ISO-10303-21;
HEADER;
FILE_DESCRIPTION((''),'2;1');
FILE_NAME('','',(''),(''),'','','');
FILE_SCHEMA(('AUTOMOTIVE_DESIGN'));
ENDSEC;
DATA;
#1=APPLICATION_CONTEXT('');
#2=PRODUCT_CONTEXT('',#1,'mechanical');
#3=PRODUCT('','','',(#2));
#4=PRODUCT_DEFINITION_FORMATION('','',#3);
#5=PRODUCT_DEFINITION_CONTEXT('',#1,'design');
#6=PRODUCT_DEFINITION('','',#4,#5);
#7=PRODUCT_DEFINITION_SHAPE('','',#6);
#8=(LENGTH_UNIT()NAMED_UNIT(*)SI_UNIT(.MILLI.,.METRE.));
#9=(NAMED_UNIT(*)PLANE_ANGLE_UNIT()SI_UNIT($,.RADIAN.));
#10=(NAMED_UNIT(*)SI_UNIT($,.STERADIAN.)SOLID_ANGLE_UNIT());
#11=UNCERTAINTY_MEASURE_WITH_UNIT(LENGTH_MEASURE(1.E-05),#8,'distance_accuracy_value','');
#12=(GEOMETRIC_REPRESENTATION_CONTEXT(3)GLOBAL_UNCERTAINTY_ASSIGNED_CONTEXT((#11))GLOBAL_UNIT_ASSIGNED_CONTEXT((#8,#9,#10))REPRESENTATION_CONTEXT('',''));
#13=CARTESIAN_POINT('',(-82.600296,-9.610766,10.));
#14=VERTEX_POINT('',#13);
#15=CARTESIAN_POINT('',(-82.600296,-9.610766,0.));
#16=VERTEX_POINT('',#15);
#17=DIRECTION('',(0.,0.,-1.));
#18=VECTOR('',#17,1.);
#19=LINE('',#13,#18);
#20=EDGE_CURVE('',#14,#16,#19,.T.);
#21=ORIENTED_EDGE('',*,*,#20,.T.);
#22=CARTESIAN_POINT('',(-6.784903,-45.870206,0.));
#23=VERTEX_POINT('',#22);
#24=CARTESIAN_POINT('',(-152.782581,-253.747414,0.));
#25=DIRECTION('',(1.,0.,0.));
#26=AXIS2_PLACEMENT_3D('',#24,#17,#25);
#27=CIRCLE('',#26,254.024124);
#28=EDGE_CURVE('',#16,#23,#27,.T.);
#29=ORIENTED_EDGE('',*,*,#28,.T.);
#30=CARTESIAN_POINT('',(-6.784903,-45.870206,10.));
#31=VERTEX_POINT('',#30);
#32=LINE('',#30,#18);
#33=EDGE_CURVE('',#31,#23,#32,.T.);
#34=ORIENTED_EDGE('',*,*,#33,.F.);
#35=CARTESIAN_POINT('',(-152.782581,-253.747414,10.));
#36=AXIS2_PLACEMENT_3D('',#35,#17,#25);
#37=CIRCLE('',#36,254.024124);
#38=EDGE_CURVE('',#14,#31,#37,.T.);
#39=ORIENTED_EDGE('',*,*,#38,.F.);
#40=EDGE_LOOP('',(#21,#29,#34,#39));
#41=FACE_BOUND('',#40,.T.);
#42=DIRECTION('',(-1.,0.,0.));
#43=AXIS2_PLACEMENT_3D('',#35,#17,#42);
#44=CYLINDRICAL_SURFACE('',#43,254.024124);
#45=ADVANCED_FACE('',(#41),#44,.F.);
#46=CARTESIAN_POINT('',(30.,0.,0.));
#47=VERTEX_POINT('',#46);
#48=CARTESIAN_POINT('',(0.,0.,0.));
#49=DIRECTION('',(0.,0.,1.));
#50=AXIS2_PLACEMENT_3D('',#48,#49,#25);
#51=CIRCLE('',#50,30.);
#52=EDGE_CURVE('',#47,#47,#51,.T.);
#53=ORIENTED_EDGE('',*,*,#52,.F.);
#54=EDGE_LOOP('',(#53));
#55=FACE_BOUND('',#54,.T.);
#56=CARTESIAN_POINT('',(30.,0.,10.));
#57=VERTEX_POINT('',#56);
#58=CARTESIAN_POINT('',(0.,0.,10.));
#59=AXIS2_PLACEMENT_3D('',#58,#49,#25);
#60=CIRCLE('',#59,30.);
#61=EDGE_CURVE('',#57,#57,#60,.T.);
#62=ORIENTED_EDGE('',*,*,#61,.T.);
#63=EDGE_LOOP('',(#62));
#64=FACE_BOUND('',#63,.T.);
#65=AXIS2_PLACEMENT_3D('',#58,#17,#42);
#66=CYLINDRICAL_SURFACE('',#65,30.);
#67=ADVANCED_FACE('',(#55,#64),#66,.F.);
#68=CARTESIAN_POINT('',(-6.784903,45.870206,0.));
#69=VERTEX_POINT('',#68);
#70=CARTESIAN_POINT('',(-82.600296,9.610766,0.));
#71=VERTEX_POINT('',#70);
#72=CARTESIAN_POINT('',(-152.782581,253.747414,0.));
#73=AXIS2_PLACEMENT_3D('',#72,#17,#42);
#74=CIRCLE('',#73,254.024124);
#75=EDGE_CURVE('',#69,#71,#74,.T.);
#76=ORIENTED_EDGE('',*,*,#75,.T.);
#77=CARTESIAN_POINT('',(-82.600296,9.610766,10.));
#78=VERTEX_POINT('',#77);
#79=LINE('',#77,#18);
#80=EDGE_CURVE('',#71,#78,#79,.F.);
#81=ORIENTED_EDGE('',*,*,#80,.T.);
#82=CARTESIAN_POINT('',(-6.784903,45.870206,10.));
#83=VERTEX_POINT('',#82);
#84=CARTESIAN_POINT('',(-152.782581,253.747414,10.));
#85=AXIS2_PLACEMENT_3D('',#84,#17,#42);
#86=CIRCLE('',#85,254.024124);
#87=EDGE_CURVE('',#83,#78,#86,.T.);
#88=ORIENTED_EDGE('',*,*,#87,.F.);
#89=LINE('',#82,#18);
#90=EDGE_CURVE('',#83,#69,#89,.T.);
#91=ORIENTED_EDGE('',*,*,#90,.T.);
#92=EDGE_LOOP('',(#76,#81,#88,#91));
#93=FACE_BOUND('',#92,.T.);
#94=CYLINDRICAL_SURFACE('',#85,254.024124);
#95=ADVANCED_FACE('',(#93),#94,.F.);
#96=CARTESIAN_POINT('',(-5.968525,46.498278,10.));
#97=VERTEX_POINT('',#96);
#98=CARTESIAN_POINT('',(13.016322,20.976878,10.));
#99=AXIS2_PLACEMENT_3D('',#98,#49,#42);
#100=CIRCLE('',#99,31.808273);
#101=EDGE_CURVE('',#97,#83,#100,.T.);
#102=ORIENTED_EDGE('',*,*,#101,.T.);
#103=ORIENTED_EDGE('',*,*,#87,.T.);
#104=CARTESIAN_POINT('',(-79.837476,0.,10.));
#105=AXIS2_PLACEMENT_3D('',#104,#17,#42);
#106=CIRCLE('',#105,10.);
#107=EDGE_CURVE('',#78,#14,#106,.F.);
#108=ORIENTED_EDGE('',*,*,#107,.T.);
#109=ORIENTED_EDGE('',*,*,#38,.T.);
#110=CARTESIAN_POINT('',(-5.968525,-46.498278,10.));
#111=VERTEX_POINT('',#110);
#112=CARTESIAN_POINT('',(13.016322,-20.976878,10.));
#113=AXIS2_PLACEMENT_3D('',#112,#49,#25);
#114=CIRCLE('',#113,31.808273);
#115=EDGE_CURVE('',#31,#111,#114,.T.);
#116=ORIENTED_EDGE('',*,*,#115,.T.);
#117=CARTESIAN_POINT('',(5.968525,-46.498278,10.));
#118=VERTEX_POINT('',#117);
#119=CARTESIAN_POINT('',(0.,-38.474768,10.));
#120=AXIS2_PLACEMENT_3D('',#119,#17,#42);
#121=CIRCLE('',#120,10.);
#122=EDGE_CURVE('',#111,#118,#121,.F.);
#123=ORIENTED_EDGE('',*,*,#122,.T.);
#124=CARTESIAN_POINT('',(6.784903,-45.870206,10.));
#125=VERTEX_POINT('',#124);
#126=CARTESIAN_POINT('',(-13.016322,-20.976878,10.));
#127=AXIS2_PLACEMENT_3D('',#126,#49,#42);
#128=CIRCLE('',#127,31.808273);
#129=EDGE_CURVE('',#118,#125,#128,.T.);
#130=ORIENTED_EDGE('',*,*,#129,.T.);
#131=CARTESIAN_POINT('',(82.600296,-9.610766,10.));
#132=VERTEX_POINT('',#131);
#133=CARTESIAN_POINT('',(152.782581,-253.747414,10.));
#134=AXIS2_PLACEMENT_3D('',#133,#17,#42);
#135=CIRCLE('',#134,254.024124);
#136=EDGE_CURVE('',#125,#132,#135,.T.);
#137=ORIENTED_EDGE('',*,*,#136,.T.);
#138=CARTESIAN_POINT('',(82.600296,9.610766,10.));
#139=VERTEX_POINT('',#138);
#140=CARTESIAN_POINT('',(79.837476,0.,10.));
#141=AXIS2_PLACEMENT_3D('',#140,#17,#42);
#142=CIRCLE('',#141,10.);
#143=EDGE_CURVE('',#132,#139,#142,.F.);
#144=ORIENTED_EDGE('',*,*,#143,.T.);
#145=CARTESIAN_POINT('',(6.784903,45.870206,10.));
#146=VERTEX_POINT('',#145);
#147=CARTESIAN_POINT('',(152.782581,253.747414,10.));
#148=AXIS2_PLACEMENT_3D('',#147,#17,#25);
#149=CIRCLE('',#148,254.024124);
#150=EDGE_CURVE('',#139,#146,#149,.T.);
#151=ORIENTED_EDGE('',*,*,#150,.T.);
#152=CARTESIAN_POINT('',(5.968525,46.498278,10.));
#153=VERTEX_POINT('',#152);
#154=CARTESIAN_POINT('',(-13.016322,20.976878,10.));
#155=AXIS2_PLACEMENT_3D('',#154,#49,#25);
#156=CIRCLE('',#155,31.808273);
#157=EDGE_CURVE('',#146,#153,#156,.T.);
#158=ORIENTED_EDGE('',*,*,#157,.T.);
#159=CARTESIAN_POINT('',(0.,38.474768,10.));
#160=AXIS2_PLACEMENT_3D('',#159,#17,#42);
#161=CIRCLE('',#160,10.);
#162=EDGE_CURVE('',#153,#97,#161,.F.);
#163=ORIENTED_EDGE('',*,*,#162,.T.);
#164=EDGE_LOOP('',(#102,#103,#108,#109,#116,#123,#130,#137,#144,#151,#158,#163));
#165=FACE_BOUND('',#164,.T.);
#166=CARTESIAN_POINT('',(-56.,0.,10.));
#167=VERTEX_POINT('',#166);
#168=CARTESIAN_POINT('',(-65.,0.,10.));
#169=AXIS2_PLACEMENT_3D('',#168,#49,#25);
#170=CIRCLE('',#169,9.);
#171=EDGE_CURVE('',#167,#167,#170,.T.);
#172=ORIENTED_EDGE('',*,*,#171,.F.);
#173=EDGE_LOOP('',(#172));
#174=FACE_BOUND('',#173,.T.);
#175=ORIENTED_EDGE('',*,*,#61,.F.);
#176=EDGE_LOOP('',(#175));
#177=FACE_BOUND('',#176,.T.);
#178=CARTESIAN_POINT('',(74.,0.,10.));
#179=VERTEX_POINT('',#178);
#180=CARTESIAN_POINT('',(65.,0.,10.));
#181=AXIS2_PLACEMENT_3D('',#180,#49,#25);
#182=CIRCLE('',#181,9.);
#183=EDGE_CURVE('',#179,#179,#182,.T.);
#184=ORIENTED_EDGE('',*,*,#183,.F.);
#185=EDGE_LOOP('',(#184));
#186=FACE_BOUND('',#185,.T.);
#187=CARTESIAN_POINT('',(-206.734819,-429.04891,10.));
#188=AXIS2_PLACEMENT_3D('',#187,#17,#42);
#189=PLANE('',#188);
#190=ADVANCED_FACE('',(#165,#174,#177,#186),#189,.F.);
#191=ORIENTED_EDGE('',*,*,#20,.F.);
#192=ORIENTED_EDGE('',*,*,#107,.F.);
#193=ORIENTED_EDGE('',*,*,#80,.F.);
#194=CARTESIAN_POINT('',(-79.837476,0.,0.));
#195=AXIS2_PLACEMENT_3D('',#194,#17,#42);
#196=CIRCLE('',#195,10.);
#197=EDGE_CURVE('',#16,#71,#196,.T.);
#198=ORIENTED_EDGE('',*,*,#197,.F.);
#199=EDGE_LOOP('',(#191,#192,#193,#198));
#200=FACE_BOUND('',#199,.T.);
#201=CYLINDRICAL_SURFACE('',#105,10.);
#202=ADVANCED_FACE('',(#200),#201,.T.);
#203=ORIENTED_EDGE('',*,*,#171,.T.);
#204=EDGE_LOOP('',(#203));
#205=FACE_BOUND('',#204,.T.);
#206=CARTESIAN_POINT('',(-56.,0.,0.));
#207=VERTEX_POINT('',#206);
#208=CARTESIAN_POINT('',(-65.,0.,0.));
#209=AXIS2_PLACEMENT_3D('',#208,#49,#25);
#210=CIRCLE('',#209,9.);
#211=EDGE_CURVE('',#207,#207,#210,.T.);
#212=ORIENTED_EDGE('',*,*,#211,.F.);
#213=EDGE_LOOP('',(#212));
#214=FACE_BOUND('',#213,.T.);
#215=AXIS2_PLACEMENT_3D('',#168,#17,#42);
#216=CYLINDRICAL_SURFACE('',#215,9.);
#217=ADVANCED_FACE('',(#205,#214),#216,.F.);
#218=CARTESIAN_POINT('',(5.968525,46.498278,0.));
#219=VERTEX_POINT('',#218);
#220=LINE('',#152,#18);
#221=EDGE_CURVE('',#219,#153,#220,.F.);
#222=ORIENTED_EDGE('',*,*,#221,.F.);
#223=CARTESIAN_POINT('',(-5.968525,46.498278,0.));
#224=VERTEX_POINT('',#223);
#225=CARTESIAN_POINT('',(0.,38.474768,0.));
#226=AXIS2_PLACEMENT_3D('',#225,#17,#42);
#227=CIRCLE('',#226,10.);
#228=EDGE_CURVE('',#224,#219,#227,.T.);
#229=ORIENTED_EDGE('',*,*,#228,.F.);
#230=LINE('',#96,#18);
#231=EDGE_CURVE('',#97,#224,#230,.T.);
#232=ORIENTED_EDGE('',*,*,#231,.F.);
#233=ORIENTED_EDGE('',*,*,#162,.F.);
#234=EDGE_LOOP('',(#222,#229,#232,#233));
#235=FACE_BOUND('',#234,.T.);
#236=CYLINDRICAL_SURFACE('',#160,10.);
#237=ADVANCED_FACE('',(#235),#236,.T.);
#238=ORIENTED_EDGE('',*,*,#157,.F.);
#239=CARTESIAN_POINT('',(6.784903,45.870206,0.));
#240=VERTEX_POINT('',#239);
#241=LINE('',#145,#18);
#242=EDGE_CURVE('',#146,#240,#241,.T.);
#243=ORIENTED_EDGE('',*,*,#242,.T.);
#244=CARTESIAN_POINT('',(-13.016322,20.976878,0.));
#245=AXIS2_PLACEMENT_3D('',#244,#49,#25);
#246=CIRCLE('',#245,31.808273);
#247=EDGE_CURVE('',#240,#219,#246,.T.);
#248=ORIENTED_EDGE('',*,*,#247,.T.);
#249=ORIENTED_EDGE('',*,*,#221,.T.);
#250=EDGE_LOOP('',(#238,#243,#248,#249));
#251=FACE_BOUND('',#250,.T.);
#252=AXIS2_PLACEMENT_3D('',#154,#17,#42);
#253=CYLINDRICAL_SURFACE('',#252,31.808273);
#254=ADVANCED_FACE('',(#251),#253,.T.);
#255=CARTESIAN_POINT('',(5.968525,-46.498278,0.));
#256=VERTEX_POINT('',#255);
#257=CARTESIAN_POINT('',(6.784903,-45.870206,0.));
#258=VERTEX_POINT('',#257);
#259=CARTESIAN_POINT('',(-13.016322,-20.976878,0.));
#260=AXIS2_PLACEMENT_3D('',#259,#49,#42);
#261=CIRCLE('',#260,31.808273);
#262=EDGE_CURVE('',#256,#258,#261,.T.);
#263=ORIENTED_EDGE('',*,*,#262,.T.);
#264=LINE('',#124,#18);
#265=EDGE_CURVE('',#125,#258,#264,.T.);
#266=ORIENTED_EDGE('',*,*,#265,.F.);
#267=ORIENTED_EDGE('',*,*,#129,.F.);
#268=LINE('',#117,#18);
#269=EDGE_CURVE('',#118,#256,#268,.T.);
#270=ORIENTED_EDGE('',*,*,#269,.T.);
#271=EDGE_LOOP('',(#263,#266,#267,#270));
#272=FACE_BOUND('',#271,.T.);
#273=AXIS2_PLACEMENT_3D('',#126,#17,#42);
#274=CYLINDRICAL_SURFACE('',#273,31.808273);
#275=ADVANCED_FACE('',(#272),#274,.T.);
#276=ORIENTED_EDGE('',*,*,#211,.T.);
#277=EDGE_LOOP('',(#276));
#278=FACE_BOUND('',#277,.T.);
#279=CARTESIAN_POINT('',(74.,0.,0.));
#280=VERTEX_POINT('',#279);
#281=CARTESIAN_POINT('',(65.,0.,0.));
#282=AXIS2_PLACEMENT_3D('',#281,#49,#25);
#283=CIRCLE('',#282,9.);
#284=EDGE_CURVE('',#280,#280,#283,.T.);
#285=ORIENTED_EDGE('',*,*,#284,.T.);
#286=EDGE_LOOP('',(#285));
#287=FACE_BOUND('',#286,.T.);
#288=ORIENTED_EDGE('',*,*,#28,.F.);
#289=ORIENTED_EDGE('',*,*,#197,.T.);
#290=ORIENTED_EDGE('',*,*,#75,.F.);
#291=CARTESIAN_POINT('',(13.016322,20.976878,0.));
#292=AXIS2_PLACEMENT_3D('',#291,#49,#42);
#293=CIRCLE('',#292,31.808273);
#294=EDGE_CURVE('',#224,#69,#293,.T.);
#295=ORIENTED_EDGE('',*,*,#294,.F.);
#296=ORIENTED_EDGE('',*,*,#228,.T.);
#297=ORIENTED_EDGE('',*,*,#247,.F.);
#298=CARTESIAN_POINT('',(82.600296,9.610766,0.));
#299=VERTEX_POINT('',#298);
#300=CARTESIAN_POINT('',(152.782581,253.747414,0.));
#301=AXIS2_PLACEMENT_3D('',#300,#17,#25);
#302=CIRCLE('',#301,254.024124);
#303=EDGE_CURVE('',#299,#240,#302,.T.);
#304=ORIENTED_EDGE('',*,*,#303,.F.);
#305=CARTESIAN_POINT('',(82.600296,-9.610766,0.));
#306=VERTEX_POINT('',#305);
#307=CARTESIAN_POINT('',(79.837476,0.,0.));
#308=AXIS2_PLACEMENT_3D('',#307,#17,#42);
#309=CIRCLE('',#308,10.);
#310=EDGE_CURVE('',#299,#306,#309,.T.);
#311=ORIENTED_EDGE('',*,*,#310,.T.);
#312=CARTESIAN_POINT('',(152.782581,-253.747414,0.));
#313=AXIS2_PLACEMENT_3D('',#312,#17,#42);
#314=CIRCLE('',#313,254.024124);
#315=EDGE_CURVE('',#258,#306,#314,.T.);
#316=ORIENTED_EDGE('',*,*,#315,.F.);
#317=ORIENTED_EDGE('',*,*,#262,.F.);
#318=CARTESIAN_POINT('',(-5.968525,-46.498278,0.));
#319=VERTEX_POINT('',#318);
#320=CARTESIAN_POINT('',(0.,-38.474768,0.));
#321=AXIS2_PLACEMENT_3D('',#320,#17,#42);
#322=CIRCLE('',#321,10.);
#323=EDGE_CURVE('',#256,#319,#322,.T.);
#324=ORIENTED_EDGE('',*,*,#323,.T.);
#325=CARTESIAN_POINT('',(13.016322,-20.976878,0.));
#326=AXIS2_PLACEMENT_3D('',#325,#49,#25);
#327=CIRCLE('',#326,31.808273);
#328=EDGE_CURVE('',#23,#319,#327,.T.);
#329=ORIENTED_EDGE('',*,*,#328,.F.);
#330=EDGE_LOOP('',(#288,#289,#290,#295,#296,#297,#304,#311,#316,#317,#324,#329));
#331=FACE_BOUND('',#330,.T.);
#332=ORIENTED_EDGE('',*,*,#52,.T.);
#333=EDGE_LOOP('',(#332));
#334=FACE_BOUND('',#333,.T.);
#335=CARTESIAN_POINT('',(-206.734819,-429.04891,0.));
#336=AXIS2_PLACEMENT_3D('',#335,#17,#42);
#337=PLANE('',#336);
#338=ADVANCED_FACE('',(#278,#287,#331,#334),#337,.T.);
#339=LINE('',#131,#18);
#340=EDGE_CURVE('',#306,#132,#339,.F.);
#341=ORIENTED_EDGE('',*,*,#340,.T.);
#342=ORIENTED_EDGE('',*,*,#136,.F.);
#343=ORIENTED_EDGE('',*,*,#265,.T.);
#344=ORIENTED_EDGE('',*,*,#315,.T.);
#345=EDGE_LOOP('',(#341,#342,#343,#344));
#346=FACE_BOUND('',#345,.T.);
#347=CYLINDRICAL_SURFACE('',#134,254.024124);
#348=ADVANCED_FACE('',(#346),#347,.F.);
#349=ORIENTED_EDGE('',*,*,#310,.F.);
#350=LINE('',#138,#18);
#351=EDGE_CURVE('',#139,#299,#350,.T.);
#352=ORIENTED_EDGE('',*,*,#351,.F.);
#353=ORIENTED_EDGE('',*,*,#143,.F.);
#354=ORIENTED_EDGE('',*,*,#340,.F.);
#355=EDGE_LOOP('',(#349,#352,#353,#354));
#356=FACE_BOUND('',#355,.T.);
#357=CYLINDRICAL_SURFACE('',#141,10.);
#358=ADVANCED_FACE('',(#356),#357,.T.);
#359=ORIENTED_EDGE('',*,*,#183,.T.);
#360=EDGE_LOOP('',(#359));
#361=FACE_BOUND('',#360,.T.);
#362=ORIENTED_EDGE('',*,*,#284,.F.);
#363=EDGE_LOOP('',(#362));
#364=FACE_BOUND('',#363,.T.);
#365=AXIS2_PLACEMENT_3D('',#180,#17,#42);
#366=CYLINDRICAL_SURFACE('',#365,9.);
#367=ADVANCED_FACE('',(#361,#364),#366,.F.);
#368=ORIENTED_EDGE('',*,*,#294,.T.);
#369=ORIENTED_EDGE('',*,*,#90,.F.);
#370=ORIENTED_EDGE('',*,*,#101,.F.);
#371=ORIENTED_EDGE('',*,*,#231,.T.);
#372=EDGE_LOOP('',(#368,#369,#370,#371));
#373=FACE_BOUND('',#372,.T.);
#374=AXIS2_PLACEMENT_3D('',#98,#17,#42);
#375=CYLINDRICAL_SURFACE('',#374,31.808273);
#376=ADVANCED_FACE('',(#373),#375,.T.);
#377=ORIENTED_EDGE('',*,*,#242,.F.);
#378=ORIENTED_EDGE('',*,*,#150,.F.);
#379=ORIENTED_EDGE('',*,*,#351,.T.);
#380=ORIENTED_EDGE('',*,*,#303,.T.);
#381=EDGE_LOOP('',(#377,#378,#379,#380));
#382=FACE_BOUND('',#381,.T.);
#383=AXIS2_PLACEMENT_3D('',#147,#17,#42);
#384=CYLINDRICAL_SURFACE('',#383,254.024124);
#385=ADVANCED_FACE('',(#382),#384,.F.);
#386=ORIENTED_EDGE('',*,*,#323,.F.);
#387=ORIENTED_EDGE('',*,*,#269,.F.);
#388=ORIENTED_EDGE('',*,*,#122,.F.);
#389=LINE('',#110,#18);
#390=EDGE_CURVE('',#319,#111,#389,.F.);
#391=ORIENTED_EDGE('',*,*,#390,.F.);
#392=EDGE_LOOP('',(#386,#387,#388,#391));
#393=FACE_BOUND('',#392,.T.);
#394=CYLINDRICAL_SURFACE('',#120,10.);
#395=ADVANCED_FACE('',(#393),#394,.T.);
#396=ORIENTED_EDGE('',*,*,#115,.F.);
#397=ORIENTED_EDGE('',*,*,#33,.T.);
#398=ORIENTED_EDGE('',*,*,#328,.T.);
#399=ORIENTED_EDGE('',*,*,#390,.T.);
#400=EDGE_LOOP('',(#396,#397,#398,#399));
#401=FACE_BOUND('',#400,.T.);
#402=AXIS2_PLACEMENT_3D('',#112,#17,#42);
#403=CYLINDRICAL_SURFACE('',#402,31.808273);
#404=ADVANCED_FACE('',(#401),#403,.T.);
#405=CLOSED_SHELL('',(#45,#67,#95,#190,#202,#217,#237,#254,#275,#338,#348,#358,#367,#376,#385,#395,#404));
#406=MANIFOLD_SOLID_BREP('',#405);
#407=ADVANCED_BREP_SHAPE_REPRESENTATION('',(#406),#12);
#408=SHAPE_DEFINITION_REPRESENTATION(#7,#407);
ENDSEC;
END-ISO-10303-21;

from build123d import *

# Parameters (mm, degrees)
SKETCH1_R           = 30
SKETCH1_R_2         = 9
BOSS_EXTRUDE6_DEPTH = 10
FILLET3_R           = 10


with BuildPart() as part:
    # Sketch1 → Boss-Extrude6 (new body)
    with BuildSketch(Plane.XY):
        with BuildLine():
            ThreePointArc((-6.784902735, 45.870205505), (-48.86656481, 21.950698185), (-94.721398344, 6.447687029))
            ThreePointArc((-94.721398344, 6.447687029), (-107.326810614, 3.090981083), (-120, 0))
            ThreePointArc((-120, 0), (-107.326810614, -3.090981083), (-94.721398344, -6.447687029))
            ThreePointArc((-94.721398344, -6.447687029), (-48.86656481, -21.950698185), (-6.784902735, -45.870205505))
            ThreePointArc((-6.784902735, -45.870205505), (-3.521865451, -48.147719136), (0, -50))
            ThreePointArc((0, -50), (3.521865451, -48.147719136), (6.784902735, -45.870205505))
            ThreePointArc((6.784902735, -45.870205505), (48.86656481, -21.950698185), (94.721398344, -6.447687029))
            ThreePointArc((94.721398344, -6.447687029), (107.326810614, -3.090981083), (120, 0))
            ThreePointArc((120, 0), (107.326810614, 3.090981083), (94.721398344, 6.447687029))
            ThreePointArc((94.721398344, 6.447687029), (48.86656481, 21.950698185), (6.784902735, 45.870205505))
            ThreePointArc((6.784902735, 45.870205505), (3.521865451, 48.147719136), (0, 50))
            ThreePointArc((0, 50), (-3.521865451, 48.147719136), (-6.784902735, 45.870205505))
        make_face()
        Circle(SKETCH1_R, mode=Mode.SUBTRACT)
        with Locations((-65, 0)):
            Circle(SKETCH1_R_2, mode=Mode.SUBTRACT)
        with Locations((65, 0)):
            Circle(SKETCH1_R_2, mode=Mode.SUBTRACT)
    extrude(amount=BOSS_EXTRUDE6_DEPTH)

    # Fillet3
    fillet3_edges = [part.edges().sort_by_distance(p)[0] for p in [
        (0, -50, 5),
        (120, 0, 5),
        (-120, 0, 5),
        (0, 50, 5),
    ]]
    fillet(fillet3_edges, radius=FILLET3_R)


solid = part.part
